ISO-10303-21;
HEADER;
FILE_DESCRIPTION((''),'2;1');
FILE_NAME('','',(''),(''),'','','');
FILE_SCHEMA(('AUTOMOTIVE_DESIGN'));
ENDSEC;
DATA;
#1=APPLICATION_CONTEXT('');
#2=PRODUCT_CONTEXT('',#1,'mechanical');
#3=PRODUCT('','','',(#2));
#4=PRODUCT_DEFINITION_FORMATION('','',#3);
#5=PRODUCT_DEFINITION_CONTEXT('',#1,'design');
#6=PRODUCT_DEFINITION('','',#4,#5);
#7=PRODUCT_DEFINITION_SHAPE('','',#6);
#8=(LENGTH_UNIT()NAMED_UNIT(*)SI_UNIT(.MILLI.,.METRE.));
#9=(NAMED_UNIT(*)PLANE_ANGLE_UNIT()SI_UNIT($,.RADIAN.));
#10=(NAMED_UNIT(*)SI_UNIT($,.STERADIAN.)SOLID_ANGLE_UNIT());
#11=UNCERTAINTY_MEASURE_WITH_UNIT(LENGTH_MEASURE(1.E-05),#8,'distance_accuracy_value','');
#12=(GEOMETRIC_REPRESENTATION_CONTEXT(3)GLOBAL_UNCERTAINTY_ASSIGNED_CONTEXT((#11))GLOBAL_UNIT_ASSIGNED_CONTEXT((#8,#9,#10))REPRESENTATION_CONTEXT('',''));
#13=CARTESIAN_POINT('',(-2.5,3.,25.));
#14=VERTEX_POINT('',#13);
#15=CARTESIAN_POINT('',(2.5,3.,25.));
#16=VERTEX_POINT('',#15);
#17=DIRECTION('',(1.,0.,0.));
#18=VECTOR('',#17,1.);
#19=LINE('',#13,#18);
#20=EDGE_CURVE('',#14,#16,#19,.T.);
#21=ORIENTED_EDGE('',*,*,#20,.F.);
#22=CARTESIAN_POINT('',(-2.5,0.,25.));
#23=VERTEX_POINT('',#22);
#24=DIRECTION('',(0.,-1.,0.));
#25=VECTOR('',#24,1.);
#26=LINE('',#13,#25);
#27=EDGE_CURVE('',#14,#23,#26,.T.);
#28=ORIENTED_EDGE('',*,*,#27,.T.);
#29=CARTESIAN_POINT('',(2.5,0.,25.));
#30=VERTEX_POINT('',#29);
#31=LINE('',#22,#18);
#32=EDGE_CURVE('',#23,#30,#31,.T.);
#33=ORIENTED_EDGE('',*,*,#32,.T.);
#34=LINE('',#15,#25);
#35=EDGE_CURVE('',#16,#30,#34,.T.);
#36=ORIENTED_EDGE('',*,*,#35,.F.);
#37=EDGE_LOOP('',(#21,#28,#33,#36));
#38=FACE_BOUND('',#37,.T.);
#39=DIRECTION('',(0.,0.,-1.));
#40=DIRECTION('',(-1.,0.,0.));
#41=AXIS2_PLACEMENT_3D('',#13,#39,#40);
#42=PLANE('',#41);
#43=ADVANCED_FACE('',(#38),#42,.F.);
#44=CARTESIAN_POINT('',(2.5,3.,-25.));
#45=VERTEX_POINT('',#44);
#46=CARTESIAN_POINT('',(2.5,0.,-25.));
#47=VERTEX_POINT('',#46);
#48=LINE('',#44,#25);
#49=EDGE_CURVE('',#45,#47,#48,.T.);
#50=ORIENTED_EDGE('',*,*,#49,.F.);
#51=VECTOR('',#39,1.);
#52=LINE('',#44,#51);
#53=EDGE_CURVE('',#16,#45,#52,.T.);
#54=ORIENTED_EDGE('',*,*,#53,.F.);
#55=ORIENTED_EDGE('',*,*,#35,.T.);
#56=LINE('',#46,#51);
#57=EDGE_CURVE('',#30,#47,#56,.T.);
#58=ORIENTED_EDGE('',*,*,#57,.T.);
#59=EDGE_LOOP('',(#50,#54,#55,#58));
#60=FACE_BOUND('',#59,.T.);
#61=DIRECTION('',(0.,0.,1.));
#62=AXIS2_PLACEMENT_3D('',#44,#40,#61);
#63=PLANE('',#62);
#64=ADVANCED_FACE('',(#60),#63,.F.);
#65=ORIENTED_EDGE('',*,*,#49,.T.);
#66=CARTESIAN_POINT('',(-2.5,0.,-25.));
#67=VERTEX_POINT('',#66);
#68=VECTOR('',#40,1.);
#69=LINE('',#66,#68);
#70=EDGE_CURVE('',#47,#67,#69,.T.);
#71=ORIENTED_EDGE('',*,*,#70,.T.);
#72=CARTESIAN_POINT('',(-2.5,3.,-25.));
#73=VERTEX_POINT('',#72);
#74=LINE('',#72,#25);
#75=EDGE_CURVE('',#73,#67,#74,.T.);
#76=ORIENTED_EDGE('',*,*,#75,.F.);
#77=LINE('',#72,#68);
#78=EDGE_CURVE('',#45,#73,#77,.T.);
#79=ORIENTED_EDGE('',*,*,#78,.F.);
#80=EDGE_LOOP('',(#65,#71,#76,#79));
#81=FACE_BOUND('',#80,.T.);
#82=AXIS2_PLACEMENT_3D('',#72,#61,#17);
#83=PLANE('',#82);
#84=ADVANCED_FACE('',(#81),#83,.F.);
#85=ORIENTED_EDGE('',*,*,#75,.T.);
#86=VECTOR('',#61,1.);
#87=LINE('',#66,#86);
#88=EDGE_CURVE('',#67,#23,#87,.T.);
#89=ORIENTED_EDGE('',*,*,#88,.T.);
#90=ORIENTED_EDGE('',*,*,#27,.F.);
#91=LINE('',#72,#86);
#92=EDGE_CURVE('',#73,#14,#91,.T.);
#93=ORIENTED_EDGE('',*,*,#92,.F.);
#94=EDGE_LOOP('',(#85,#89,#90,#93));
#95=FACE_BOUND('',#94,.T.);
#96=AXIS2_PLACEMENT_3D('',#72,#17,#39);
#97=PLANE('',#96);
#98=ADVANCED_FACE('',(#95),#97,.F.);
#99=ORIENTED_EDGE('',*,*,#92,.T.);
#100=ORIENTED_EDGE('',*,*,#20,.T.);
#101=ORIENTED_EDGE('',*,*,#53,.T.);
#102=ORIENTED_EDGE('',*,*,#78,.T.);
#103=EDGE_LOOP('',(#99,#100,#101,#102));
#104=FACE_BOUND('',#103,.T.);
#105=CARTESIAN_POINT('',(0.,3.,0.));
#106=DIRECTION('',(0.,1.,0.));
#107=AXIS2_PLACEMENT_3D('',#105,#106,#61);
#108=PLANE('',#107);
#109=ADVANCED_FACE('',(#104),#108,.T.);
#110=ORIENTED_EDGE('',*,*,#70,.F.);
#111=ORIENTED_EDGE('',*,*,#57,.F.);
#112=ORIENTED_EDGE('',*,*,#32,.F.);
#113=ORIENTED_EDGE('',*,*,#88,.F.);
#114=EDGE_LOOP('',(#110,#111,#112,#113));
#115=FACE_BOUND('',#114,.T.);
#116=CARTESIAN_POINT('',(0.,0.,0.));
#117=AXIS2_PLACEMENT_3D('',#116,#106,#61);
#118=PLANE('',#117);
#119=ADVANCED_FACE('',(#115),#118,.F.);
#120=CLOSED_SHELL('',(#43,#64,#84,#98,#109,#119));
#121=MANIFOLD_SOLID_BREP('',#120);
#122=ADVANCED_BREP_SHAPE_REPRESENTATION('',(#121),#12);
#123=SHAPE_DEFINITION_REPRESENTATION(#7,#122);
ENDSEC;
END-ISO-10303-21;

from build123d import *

# Parameters (mm, degrees)
SKETCH2_W           = 5
SKETCH2_H           = 50
BOSS_EXTRUDE1_DEPTH = 3


with BuildPart() as part:
    # Sketch2 → Boss-Extrude1 (new body)
    with BuildSketch(Plane(origin=(0, 0, 0), x_dir=(1, 0, 0), z_dir=(0, 1, 0))):
        Rectangle(SKETCH2_W, SKETCH2_H)
    extrude(amount=BOSS_EXTRUDE1_DEPTH)


solid = part.part
